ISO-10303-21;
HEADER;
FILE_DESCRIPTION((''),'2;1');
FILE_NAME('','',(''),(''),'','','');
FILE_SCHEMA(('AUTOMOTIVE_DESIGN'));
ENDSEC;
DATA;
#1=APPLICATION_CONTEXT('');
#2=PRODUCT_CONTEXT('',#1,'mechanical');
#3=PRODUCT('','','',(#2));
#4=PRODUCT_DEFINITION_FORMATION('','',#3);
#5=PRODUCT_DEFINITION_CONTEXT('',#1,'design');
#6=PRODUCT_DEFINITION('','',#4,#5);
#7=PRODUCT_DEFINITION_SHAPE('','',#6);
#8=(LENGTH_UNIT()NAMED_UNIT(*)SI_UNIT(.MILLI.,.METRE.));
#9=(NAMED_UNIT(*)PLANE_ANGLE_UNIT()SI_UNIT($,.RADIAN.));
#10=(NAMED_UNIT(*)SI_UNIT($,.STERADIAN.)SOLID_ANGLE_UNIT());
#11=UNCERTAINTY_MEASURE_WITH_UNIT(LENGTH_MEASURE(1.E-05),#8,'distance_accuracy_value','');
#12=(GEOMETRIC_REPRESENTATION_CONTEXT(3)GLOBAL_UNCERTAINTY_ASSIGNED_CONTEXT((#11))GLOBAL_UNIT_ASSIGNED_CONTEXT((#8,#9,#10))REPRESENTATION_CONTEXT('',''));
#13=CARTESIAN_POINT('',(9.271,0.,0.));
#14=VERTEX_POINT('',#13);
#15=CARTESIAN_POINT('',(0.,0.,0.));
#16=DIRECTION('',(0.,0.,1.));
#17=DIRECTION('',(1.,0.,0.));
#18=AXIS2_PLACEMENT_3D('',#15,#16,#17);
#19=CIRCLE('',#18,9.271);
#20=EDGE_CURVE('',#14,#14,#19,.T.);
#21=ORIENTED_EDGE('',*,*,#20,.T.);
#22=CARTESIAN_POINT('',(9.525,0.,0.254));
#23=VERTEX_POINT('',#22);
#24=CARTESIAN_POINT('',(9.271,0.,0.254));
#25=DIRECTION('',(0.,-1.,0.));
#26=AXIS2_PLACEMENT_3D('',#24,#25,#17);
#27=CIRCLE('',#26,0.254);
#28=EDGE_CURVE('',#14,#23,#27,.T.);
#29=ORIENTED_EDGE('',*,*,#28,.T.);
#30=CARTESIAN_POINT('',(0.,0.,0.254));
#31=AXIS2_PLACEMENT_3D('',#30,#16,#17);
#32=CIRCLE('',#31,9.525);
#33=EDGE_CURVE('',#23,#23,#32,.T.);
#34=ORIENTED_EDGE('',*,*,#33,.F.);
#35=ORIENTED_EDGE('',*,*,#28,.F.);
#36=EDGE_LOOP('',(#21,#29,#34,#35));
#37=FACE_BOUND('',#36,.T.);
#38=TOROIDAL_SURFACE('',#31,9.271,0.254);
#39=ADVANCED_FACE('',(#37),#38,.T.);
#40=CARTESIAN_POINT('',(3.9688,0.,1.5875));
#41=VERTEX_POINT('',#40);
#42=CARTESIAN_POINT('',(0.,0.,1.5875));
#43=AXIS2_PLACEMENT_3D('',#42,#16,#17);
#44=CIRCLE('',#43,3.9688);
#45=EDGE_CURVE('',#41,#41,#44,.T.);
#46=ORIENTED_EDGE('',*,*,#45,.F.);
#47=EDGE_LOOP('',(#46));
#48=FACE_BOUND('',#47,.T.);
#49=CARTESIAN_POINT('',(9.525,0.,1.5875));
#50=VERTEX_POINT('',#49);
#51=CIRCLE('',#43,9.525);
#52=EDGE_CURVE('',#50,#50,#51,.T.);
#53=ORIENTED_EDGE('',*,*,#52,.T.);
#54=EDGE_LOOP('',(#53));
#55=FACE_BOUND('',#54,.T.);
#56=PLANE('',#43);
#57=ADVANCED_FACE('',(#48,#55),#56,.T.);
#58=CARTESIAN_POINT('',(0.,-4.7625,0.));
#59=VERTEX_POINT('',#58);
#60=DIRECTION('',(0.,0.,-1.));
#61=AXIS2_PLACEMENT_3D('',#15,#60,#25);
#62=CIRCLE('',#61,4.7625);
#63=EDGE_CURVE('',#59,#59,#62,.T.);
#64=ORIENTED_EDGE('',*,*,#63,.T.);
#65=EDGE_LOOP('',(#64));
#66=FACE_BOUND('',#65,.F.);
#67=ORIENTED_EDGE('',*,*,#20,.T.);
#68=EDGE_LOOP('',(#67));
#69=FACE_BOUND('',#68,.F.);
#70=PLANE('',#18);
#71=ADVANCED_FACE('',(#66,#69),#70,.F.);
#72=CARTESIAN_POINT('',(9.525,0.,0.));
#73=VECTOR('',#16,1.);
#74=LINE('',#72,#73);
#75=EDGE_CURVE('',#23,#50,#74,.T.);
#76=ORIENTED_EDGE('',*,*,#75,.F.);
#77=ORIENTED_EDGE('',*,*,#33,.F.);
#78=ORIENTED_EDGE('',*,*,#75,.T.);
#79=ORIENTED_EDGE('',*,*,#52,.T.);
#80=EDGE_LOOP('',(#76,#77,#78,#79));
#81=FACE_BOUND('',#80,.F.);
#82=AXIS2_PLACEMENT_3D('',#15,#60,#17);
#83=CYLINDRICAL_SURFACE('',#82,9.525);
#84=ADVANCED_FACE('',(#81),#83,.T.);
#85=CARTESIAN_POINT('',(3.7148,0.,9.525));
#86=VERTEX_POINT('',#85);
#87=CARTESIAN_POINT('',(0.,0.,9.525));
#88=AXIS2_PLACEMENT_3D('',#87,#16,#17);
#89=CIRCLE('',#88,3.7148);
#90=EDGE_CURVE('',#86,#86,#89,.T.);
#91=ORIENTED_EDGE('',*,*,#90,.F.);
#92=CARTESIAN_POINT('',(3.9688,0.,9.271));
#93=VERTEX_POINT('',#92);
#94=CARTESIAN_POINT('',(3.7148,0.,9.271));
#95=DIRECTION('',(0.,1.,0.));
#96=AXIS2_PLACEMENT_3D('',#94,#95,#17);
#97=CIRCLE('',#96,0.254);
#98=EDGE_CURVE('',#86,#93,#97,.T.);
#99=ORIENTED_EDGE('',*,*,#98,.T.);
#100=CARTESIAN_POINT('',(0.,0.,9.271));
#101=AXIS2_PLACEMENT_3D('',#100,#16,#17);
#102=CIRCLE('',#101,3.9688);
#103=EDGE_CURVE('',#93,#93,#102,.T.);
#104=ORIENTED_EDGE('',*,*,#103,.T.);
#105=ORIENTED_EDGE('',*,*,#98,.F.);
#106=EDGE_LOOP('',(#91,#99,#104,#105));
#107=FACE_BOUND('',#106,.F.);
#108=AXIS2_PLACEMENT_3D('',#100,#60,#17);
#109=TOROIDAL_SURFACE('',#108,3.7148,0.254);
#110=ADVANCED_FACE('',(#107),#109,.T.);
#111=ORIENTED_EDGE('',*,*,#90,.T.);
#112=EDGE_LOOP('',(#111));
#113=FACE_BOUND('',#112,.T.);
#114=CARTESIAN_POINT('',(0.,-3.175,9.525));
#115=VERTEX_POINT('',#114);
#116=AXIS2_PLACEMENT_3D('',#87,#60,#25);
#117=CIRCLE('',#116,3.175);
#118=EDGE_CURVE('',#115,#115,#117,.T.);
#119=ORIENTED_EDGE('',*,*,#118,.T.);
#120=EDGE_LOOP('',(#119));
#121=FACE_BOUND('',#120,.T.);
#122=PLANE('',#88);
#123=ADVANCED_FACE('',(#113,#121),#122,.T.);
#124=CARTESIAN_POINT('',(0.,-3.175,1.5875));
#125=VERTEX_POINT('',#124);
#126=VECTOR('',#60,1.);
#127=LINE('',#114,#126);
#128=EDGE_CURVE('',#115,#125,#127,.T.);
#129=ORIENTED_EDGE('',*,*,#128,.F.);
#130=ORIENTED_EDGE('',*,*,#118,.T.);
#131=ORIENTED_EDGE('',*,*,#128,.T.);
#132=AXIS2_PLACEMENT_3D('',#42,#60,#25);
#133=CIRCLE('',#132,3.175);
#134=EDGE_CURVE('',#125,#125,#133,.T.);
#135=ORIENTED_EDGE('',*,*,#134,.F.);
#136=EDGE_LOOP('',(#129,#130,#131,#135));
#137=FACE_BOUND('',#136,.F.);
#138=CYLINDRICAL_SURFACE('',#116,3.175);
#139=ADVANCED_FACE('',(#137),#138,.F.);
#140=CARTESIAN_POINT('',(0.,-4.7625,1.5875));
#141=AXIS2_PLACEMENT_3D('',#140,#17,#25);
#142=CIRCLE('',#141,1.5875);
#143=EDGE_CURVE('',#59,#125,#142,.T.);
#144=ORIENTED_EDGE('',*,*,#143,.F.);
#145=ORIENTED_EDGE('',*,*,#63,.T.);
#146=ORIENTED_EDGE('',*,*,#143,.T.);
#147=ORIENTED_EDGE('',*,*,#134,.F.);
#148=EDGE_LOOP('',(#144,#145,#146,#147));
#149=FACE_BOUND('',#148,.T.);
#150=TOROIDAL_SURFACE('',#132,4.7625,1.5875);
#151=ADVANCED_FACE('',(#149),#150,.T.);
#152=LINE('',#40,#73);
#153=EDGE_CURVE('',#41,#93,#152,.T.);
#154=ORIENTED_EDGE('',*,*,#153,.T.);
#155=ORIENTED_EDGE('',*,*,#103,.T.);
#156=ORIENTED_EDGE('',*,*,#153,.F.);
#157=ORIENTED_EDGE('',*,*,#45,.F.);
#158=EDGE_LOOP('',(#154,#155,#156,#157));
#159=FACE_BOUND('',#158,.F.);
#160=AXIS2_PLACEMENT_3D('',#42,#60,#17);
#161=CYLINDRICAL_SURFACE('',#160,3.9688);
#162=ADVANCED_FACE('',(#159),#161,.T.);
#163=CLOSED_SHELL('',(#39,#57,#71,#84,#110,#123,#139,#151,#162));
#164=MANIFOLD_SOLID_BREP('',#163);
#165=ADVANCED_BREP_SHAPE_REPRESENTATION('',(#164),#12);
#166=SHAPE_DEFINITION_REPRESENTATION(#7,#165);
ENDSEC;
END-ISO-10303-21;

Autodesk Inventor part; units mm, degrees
ref_plane "YZ Plane" through (0, 0, 0) normal (1, 0, 0) x (0, 1, 0)
ref_plane "XZ Plane" through (0, 0, 0) normal (0, 1, 0) x (-1, 0, 0)
ref_plane "XY Plane" through (0, 0, 0) normal (0, 0, 1) x (1, 0, 0)
sketch "Sketch1" plane through (0, 0, 0) normal (0, 0, 1) x (1, 0, 0)
  circle A0 centre (0, 0) radius 9.525
  dimension "d0" = 19.05
extrude "Extrusion1" add sketch "Sketch1" along normal blind 1.5875
sketch "Sketch2" plane through (0, 0, 1.5875) normal (0, 0, 1) x (1, 0, 0)
  circle A0 centre (0, 0) radius 9.525 projected
  circle A1 centre (0, 0) radius 3.9688
  dimension "d3" = 7.9375
extrude "Extrusion2" add sketch "Sketch2" along normal blind 7.9375 contours A1
hole "Hole1" at (0, 0, 9.525) direction (0, 0, -1) diameter 6.35 depth 25.4 tip angle 118
thread "Thread1" size "1/4-20 UNC" class "2B" standard "ANSI Unified Screw Threads" full length
fillet "Fillet1" radius 1.5875 1 edges at (0, 3.175, 0)
fillet "Fillet2" radius 0.254 2 edges at (-3.9688, 0, 9.525) (-9.525, 0, 0)
properties part number "Deck_Nut"
